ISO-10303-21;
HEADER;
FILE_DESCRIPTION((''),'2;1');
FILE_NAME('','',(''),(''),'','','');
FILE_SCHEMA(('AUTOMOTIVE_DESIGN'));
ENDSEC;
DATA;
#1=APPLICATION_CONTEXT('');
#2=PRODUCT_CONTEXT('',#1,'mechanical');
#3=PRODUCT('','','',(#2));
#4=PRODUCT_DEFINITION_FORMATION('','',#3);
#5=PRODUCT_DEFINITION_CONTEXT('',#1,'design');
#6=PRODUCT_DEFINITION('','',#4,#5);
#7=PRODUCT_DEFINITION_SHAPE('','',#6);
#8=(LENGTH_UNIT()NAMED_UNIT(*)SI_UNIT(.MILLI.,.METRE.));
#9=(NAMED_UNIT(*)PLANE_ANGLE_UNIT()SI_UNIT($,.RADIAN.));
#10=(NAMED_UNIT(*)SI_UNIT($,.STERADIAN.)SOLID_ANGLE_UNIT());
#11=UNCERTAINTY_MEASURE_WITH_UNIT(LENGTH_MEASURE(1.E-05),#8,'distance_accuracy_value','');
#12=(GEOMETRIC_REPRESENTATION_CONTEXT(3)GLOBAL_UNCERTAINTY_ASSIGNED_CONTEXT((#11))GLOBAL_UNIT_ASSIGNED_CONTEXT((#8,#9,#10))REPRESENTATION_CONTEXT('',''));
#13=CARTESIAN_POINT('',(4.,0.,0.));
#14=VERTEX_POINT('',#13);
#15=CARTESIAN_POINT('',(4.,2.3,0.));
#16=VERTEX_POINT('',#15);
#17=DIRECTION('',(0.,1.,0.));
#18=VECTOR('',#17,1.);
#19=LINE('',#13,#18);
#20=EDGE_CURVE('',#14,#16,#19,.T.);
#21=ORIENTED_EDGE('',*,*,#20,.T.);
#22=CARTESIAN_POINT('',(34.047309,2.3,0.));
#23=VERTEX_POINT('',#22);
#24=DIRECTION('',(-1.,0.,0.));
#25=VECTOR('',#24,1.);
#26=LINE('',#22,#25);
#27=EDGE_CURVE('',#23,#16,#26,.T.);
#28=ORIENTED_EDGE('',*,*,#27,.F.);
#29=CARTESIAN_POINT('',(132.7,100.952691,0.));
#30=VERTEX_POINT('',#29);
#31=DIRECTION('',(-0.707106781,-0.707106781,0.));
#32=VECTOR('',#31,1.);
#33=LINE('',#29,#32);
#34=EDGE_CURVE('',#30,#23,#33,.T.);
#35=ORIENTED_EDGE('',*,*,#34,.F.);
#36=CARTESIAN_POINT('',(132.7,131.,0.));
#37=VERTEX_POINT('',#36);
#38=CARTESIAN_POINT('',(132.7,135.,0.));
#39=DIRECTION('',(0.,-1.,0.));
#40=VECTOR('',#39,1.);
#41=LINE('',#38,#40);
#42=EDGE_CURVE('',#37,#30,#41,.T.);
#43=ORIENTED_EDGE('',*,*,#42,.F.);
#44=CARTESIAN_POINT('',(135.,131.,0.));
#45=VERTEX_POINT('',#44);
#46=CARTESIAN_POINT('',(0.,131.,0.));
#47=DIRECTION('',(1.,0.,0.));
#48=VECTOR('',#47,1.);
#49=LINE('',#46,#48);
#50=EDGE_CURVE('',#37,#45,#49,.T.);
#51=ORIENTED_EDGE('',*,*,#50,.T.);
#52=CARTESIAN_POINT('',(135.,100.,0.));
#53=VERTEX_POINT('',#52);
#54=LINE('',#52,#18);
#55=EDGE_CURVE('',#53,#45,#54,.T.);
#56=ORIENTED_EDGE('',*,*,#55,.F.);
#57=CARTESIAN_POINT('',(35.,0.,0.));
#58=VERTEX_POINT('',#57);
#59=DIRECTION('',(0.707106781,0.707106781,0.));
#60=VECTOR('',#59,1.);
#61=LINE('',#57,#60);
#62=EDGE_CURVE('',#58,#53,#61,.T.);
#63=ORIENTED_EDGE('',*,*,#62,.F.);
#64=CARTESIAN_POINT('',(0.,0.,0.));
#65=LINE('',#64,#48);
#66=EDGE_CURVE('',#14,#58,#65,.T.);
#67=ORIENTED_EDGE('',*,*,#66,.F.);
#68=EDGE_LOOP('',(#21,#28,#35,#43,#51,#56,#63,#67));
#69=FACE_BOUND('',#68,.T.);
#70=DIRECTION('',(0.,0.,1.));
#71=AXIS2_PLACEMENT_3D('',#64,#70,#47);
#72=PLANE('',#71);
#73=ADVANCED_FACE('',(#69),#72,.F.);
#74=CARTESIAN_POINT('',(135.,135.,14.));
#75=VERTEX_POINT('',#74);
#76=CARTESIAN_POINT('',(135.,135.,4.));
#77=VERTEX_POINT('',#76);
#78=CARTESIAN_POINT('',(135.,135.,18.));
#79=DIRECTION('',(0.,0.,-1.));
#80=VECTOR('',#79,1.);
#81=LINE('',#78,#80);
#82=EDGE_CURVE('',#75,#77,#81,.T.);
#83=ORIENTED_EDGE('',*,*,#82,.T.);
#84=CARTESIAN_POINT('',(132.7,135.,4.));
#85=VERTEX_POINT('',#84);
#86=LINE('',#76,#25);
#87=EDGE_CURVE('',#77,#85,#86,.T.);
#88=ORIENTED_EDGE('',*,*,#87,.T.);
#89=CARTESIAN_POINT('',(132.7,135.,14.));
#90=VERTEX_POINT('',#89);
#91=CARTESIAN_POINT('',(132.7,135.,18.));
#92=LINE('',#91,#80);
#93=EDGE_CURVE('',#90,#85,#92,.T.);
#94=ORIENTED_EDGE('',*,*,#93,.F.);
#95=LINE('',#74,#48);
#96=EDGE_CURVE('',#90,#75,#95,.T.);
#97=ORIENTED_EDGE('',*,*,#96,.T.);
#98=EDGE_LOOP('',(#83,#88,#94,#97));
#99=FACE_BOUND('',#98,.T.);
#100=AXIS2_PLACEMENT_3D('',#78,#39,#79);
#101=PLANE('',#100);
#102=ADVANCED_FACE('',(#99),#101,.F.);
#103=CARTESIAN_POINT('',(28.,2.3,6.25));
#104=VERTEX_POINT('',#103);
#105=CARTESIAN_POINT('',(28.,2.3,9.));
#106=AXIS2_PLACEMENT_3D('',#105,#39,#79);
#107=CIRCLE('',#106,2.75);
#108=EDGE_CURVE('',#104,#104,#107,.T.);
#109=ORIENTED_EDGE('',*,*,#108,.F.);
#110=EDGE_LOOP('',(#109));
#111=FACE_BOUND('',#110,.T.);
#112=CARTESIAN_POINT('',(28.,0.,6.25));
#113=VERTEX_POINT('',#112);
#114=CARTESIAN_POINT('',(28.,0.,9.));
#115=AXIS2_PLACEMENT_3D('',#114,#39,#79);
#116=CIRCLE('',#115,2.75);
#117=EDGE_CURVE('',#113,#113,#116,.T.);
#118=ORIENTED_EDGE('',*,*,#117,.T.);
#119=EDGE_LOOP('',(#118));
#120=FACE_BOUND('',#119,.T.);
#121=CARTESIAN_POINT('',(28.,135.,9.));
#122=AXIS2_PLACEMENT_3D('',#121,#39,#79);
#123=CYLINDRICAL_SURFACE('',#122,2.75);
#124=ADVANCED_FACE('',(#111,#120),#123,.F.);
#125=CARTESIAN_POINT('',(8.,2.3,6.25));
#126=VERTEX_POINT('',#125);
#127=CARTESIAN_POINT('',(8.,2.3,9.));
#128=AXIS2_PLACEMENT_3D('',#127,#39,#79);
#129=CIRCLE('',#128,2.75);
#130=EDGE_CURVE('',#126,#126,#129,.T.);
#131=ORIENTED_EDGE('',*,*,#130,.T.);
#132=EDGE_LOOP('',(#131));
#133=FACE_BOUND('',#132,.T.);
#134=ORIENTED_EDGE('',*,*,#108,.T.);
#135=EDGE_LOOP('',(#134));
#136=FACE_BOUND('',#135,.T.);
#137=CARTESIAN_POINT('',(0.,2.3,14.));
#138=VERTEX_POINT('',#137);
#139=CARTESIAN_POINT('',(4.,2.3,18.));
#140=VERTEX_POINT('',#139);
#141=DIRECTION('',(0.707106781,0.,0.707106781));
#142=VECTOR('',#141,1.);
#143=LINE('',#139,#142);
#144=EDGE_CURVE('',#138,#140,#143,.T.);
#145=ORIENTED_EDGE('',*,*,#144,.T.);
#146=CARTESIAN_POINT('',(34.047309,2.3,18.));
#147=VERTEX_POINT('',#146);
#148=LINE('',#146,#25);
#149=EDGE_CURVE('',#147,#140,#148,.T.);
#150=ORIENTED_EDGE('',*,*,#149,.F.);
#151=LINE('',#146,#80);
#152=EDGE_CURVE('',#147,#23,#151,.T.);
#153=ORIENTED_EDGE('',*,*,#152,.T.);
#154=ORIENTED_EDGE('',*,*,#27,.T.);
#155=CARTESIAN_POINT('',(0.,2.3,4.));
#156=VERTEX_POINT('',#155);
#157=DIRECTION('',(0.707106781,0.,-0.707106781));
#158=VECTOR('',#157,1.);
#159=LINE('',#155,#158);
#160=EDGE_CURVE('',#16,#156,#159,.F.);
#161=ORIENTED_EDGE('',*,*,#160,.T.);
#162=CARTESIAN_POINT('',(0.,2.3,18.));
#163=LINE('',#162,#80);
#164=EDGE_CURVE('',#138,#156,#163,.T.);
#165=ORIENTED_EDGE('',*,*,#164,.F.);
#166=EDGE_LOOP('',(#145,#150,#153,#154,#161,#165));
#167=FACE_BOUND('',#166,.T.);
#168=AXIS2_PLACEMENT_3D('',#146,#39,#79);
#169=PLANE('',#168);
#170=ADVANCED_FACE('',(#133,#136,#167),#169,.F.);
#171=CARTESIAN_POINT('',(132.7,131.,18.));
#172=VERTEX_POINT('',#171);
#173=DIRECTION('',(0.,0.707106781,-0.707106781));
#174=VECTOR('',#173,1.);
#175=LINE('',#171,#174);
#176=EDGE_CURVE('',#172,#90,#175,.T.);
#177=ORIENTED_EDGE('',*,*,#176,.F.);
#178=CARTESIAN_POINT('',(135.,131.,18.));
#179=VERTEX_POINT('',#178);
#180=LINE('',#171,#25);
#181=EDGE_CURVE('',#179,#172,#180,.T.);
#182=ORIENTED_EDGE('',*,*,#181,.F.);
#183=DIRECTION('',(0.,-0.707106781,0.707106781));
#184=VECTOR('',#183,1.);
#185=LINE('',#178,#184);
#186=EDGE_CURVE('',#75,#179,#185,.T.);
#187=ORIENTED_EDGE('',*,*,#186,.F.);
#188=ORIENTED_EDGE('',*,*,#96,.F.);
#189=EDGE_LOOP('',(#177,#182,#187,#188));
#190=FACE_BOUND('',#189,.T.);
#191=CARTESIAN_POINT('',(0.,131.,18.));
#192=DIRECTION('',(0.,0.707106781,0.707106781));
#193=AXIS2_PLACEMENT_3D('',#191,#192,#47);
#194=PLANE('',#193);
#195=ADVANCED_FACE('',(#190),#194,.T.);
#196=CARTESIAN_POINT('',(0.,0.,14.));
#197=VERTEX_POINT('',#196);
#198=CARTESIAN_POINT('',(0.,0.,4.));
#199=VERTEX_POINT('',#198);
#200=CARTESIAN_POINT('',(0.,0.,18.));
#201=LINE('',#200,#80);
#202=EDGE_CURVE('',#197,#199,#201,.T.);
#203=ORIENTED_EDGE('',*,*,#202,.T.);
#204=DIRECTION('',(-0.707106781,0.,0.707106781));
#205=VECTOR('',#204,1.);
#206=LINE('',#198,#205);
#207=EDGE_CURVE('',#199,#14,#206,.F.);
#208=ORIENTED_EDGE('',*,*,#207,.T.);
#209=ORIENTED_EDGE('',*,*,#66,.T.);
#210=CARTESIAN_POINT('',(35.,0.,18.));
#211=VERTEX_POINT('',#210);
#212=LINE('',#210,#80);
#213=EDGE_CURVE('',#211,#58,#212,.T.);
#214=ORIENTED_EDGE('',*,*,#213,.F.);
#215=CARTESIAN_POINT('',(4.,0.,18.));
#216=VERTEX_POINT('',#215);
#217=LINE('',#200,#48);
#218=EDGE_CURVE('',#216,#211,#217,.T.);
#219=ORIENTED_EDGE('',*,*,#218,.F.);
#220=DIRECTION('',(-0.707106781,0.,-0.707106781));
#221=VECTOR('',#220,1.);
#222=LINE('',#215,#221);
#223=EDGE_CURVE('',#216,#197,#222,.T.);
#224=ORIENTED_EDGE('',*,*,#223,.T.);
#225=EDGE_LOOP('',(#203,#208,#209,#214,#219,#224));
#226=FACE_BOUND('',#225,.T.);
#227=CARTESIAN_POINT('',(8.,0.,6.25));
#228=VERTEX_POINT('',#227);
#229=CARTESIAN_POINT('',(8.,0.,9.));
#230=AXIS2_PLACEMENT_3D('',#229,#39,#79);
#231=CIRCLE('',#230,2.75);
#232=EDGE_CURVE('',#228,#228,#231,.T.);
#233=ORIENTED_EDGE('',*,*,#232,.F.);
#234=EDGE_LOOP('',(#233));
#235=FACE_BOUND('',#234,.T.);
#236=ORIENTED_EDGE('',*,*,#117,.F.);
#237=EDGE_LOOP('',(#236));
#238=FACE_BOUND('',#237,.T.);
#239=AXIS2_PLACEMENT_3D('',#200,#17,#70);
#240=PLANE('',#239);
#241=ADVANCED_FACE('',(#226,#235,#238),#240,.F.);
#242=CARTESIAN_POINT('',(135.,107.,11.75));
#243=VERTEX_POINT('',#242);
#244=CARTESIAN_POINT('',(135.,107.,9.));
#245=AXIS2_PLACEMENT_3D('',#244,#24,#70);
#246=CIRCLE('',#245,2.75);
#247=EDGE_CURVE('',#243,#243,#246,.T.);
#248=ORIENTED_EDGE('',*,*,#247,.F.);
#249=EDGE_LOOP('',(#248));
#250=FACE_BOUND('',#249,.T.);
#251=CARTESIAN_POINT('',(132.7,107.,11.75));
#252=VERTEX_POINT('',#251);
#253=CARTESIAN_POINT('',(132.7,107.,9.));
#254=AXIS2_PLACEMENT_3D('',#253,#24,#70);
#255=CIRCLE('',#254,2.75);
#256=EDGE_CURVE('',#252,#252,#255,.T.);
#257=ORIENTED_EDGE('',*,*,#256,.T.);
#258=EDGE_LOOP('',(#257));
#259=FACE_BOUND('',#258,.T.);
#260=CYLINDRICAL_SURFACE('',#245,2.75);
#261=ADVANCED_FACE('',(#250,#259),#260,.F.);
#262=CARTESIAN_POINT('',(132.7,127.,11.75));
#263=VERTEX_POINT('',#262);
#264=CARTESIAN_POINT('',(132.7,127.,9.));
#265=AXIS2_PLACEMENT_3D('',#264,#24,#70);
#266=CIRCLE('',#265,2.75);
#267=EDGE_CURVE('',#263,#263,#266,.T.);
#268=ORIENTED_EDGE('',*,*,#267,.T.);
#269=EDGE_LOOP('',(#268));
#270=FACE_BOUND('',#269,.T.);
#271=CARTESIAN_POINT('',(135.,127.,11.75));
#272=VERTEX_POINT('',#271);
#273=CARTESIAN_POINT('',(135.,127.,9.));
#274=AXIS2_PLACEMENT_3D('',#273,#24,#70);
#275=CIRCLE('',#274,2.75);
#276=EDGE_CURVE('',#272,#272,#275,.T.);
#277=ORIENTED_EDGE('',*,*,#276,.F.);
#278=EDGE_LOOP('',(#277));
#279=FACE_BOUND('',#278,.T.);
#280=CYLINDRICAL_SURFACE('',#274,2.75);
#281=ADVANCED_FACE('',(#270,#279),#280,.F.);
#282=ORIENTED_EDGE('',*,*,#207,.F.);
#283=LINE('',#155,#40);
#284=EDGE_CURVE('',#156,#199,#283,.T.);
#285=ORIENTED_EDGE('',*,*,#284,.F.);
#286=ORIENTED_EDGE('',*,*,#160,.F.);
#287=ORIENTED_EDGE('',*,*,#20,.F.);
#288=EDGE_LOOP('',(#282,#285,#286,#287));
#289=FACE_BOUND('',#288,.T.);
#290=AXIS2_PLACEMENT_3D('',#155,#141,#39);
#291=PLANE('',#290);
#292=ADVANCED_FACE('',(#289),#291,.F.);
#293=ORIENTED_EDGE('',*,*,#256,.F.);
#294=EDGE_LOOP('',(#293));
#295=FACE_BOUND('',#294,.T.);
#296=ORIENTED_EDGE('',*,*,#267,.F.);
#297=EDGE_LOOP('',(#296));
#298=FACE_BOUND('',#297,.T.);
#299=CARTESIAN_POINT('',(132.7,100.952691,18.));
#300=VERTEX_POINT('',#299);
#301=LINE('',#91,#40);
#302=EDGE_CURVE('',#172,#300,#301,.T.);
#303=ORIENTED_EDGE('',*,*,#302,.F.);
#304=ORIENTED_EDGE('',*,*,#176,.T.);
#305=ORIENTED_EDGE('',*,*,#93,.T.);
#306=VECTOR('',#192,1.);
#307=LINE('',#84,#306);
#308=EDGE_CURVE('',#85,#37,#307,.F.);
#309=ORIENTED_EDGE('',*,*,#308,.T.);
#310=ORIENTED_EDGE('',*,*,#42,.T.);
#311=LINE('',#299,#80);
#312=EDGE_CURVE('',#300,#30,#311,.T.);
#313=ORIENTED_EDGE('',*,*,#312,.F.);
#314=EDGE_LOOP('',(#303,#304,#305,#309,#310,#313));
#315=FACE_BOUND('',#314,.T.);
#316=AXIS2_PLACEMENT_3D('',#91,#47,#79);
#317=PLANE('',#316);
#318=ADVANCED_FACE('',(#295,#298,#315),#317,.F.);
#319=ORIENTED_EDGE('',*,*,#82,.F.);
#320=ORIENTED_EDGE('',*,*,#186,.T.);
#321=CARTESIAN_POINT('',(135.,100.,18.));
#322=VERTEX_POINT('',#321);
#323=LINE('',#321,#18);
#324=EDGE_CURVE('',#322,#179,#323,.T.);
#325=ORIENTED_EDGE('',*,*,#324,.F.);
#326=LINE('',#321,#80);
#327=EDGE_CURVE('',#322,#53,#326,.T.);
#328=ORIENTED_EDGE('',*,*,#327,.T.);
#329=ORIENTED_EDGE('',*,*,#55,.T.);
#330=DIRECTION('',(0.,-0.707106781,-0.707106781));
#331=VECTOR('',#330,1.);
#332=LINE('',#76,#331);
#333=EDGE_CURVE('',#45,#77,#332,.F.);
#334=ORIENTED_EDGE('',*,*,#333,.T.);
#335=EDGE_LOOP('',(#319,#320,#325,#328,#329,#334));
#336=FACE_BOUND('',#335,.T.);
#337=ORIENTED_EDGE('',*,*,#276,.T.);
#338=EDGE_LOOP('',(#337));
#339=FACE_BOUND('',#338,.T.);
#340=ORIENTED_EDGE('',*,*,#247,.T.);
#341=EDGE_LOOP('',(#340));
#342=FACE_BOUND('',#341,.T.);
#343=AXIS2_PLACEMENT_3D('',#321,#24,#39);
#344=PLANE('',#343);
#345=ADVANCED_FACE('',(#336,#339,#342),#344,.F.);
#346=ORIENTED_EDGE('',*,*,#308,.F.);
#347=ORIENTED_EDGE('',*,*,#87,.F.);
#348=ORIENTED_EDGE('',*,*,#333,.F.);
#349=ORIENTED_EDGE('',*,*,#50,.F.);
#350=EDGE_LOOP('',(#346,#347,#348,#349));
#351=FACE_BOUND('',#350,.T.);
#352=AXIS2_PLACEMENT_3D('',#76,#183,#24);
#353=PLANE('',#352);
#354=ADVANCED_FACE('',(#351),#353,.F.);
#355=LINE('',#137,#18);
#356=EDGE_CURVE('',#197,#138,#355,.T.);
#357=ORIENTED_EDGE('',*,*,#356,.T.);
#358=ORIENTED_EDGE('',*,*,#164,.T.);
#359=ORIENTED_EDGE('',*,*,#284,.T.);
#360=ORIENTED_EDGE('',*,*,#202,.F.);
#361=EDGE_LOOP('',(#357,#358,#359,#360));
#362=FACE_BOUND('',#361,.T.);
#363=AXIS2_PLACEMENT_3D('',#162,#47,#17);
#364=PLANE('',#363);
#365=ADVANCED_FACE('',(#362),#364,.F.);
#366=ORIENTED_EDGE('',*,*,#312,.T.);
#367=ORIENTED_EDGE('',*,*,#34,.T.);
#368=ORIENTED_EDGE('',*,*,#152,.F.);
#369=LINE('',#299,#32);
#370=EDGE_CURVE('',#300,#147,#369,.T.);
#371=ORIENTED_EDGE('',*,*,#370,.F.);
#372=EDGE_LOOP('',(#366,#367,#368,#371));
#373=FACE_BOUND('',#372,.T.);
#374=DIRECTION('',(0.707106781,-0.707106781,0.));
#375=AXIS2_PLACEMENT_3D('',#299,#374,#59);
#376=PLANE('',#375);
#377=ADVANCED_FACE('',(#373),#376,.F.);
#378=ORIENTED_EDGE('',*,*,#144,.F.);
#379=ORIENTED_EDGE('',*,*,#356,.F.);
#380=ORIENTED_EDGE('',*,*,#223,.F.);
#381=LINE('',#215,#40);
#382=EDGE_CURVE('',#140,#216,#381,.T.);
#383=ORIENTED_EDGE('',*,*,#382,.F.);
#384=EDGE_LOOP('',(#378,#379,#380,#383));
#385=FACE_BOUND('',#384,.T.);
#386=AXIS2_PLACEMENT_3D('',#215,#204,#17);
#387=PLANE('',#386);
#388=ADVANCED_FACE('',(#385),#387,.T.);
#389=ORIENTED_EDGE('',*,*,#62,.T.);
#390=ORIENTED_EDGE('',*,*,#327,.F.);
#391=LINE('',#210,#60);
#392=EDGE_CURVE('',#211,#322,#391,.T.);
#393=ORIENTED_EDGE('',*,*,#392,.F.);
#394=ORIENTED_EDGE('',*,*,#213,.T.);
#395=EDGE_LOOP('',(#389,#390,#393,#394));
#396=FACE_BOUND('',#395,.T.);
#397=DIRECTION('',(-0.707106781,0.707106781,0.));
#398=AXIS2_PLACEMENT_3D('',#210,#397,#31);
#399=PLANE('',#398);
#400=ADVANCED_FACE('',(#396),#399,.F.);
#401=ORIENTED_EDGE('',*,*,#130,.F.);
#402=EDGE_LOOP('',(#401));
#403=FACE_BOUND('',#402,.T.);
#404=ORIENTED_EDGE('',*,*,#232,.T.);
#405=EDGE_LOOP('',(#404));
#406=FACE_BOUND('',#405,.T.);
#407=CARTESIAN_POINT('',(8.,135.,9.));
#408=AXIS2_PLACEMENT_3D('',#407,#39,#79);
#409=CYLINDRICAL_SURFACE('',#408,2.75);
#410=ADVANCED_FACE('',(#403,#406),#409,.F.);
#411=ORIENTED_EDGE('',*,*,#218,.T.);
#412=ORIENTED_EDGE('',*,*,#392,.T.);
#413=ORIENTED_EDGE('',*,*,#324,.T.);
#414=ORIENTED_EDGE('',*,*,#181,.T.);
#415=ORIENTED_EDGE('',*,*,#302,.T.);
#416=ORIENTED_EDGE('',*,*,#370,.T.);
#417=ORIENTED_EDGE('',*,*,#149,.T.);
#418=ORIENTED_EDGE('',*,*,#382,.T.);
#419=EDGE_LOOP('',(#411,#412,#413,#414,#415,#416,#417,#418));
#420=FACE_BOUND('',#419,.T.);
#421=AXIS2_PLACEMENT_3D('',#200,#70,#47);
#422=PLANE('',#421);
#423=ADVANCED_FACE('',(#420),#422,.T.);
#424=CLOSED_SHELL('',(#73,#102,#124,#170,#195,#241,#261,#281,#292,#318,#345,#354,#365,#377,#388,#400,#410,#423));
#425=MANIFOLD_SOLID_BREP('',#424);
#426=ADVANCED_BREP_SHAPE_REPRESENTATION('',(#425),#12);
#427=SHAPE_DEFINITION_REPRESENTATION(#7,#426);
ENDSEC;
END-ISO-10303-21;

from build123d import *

# Parameters (mm, degrees)
BOSS_EXTRUDE1_DEPTH = 18
SKETCH2_R           = 2.75
CUT_EXTRUDE1_DEPTH  = 191.153332866
CHAMFER1_SIZE       = 4
SKETCH3_R           = 2.75
CUT_EXTRUDE2_DEPTH  = 192.765481774
CHAMFER2_SIZE       = 4


with BuildPart() as part:
    # Sketch1 → Boss-Extrude1 (new body)
    with BuildSketch(Plane.XY):
        Polygon((0, 0), (35, 0), (135, 100), (135, 135), (132.7, 135), (132.7, 100.952691193), (34.047308807, 2.3), (0, 2.3), align=None)
    extrude(amount=BOSS_EXTRUDE1_DEPTH)

    # Sketch2 → Cut-Extrude1 (cut, through all)
    with BuildSketch(Plane.ZY.offset(-132.7)):
        with Locations((9, 127)):
            Circle(SKETCH2_R)
        with Locations((9, 107)):
            Circle(SKETCH2_R)
    extrude(amount=-CUT_EXTRUDE1_DEPTH, mode=Mode.SUBTRACT)

    # Chamfer1
    chamfer1_edges = [part.edges().sort_by_distance(p)[0] for p in [
        (133.85, 135, 18),
        (133.85, 135, 0),
    ]]
    chamfer(chamfer1_edges, length=CHAMFER1_SIZE)

    # Sketch3 → Cut-Extrude2 (cut, through all)
    with BuildSketch(Plane.XZ):
        with Locations(Location((8, 9, 0), (0, 0, 270))):
            Circle(SKETCH3_R)
        with Locations(Location((28, 9, 0), (0, 0, 270))):
            Circle(SKETCH3_R)
    extrude(amount=-CUT_EXTRUDE2_DEPTH, mode=Mode.SUBTRACT)

    # Chamfer2
    chamfer2_edges = [part.edges().sort_by_distance(p)[0] for p in [
        (0, 1.15, 0),
        (0, 1.15, 18),
    ]]
    chamfer(chamfer2_edges, length=CHAMFER2_SIZE)


solid = part.part
